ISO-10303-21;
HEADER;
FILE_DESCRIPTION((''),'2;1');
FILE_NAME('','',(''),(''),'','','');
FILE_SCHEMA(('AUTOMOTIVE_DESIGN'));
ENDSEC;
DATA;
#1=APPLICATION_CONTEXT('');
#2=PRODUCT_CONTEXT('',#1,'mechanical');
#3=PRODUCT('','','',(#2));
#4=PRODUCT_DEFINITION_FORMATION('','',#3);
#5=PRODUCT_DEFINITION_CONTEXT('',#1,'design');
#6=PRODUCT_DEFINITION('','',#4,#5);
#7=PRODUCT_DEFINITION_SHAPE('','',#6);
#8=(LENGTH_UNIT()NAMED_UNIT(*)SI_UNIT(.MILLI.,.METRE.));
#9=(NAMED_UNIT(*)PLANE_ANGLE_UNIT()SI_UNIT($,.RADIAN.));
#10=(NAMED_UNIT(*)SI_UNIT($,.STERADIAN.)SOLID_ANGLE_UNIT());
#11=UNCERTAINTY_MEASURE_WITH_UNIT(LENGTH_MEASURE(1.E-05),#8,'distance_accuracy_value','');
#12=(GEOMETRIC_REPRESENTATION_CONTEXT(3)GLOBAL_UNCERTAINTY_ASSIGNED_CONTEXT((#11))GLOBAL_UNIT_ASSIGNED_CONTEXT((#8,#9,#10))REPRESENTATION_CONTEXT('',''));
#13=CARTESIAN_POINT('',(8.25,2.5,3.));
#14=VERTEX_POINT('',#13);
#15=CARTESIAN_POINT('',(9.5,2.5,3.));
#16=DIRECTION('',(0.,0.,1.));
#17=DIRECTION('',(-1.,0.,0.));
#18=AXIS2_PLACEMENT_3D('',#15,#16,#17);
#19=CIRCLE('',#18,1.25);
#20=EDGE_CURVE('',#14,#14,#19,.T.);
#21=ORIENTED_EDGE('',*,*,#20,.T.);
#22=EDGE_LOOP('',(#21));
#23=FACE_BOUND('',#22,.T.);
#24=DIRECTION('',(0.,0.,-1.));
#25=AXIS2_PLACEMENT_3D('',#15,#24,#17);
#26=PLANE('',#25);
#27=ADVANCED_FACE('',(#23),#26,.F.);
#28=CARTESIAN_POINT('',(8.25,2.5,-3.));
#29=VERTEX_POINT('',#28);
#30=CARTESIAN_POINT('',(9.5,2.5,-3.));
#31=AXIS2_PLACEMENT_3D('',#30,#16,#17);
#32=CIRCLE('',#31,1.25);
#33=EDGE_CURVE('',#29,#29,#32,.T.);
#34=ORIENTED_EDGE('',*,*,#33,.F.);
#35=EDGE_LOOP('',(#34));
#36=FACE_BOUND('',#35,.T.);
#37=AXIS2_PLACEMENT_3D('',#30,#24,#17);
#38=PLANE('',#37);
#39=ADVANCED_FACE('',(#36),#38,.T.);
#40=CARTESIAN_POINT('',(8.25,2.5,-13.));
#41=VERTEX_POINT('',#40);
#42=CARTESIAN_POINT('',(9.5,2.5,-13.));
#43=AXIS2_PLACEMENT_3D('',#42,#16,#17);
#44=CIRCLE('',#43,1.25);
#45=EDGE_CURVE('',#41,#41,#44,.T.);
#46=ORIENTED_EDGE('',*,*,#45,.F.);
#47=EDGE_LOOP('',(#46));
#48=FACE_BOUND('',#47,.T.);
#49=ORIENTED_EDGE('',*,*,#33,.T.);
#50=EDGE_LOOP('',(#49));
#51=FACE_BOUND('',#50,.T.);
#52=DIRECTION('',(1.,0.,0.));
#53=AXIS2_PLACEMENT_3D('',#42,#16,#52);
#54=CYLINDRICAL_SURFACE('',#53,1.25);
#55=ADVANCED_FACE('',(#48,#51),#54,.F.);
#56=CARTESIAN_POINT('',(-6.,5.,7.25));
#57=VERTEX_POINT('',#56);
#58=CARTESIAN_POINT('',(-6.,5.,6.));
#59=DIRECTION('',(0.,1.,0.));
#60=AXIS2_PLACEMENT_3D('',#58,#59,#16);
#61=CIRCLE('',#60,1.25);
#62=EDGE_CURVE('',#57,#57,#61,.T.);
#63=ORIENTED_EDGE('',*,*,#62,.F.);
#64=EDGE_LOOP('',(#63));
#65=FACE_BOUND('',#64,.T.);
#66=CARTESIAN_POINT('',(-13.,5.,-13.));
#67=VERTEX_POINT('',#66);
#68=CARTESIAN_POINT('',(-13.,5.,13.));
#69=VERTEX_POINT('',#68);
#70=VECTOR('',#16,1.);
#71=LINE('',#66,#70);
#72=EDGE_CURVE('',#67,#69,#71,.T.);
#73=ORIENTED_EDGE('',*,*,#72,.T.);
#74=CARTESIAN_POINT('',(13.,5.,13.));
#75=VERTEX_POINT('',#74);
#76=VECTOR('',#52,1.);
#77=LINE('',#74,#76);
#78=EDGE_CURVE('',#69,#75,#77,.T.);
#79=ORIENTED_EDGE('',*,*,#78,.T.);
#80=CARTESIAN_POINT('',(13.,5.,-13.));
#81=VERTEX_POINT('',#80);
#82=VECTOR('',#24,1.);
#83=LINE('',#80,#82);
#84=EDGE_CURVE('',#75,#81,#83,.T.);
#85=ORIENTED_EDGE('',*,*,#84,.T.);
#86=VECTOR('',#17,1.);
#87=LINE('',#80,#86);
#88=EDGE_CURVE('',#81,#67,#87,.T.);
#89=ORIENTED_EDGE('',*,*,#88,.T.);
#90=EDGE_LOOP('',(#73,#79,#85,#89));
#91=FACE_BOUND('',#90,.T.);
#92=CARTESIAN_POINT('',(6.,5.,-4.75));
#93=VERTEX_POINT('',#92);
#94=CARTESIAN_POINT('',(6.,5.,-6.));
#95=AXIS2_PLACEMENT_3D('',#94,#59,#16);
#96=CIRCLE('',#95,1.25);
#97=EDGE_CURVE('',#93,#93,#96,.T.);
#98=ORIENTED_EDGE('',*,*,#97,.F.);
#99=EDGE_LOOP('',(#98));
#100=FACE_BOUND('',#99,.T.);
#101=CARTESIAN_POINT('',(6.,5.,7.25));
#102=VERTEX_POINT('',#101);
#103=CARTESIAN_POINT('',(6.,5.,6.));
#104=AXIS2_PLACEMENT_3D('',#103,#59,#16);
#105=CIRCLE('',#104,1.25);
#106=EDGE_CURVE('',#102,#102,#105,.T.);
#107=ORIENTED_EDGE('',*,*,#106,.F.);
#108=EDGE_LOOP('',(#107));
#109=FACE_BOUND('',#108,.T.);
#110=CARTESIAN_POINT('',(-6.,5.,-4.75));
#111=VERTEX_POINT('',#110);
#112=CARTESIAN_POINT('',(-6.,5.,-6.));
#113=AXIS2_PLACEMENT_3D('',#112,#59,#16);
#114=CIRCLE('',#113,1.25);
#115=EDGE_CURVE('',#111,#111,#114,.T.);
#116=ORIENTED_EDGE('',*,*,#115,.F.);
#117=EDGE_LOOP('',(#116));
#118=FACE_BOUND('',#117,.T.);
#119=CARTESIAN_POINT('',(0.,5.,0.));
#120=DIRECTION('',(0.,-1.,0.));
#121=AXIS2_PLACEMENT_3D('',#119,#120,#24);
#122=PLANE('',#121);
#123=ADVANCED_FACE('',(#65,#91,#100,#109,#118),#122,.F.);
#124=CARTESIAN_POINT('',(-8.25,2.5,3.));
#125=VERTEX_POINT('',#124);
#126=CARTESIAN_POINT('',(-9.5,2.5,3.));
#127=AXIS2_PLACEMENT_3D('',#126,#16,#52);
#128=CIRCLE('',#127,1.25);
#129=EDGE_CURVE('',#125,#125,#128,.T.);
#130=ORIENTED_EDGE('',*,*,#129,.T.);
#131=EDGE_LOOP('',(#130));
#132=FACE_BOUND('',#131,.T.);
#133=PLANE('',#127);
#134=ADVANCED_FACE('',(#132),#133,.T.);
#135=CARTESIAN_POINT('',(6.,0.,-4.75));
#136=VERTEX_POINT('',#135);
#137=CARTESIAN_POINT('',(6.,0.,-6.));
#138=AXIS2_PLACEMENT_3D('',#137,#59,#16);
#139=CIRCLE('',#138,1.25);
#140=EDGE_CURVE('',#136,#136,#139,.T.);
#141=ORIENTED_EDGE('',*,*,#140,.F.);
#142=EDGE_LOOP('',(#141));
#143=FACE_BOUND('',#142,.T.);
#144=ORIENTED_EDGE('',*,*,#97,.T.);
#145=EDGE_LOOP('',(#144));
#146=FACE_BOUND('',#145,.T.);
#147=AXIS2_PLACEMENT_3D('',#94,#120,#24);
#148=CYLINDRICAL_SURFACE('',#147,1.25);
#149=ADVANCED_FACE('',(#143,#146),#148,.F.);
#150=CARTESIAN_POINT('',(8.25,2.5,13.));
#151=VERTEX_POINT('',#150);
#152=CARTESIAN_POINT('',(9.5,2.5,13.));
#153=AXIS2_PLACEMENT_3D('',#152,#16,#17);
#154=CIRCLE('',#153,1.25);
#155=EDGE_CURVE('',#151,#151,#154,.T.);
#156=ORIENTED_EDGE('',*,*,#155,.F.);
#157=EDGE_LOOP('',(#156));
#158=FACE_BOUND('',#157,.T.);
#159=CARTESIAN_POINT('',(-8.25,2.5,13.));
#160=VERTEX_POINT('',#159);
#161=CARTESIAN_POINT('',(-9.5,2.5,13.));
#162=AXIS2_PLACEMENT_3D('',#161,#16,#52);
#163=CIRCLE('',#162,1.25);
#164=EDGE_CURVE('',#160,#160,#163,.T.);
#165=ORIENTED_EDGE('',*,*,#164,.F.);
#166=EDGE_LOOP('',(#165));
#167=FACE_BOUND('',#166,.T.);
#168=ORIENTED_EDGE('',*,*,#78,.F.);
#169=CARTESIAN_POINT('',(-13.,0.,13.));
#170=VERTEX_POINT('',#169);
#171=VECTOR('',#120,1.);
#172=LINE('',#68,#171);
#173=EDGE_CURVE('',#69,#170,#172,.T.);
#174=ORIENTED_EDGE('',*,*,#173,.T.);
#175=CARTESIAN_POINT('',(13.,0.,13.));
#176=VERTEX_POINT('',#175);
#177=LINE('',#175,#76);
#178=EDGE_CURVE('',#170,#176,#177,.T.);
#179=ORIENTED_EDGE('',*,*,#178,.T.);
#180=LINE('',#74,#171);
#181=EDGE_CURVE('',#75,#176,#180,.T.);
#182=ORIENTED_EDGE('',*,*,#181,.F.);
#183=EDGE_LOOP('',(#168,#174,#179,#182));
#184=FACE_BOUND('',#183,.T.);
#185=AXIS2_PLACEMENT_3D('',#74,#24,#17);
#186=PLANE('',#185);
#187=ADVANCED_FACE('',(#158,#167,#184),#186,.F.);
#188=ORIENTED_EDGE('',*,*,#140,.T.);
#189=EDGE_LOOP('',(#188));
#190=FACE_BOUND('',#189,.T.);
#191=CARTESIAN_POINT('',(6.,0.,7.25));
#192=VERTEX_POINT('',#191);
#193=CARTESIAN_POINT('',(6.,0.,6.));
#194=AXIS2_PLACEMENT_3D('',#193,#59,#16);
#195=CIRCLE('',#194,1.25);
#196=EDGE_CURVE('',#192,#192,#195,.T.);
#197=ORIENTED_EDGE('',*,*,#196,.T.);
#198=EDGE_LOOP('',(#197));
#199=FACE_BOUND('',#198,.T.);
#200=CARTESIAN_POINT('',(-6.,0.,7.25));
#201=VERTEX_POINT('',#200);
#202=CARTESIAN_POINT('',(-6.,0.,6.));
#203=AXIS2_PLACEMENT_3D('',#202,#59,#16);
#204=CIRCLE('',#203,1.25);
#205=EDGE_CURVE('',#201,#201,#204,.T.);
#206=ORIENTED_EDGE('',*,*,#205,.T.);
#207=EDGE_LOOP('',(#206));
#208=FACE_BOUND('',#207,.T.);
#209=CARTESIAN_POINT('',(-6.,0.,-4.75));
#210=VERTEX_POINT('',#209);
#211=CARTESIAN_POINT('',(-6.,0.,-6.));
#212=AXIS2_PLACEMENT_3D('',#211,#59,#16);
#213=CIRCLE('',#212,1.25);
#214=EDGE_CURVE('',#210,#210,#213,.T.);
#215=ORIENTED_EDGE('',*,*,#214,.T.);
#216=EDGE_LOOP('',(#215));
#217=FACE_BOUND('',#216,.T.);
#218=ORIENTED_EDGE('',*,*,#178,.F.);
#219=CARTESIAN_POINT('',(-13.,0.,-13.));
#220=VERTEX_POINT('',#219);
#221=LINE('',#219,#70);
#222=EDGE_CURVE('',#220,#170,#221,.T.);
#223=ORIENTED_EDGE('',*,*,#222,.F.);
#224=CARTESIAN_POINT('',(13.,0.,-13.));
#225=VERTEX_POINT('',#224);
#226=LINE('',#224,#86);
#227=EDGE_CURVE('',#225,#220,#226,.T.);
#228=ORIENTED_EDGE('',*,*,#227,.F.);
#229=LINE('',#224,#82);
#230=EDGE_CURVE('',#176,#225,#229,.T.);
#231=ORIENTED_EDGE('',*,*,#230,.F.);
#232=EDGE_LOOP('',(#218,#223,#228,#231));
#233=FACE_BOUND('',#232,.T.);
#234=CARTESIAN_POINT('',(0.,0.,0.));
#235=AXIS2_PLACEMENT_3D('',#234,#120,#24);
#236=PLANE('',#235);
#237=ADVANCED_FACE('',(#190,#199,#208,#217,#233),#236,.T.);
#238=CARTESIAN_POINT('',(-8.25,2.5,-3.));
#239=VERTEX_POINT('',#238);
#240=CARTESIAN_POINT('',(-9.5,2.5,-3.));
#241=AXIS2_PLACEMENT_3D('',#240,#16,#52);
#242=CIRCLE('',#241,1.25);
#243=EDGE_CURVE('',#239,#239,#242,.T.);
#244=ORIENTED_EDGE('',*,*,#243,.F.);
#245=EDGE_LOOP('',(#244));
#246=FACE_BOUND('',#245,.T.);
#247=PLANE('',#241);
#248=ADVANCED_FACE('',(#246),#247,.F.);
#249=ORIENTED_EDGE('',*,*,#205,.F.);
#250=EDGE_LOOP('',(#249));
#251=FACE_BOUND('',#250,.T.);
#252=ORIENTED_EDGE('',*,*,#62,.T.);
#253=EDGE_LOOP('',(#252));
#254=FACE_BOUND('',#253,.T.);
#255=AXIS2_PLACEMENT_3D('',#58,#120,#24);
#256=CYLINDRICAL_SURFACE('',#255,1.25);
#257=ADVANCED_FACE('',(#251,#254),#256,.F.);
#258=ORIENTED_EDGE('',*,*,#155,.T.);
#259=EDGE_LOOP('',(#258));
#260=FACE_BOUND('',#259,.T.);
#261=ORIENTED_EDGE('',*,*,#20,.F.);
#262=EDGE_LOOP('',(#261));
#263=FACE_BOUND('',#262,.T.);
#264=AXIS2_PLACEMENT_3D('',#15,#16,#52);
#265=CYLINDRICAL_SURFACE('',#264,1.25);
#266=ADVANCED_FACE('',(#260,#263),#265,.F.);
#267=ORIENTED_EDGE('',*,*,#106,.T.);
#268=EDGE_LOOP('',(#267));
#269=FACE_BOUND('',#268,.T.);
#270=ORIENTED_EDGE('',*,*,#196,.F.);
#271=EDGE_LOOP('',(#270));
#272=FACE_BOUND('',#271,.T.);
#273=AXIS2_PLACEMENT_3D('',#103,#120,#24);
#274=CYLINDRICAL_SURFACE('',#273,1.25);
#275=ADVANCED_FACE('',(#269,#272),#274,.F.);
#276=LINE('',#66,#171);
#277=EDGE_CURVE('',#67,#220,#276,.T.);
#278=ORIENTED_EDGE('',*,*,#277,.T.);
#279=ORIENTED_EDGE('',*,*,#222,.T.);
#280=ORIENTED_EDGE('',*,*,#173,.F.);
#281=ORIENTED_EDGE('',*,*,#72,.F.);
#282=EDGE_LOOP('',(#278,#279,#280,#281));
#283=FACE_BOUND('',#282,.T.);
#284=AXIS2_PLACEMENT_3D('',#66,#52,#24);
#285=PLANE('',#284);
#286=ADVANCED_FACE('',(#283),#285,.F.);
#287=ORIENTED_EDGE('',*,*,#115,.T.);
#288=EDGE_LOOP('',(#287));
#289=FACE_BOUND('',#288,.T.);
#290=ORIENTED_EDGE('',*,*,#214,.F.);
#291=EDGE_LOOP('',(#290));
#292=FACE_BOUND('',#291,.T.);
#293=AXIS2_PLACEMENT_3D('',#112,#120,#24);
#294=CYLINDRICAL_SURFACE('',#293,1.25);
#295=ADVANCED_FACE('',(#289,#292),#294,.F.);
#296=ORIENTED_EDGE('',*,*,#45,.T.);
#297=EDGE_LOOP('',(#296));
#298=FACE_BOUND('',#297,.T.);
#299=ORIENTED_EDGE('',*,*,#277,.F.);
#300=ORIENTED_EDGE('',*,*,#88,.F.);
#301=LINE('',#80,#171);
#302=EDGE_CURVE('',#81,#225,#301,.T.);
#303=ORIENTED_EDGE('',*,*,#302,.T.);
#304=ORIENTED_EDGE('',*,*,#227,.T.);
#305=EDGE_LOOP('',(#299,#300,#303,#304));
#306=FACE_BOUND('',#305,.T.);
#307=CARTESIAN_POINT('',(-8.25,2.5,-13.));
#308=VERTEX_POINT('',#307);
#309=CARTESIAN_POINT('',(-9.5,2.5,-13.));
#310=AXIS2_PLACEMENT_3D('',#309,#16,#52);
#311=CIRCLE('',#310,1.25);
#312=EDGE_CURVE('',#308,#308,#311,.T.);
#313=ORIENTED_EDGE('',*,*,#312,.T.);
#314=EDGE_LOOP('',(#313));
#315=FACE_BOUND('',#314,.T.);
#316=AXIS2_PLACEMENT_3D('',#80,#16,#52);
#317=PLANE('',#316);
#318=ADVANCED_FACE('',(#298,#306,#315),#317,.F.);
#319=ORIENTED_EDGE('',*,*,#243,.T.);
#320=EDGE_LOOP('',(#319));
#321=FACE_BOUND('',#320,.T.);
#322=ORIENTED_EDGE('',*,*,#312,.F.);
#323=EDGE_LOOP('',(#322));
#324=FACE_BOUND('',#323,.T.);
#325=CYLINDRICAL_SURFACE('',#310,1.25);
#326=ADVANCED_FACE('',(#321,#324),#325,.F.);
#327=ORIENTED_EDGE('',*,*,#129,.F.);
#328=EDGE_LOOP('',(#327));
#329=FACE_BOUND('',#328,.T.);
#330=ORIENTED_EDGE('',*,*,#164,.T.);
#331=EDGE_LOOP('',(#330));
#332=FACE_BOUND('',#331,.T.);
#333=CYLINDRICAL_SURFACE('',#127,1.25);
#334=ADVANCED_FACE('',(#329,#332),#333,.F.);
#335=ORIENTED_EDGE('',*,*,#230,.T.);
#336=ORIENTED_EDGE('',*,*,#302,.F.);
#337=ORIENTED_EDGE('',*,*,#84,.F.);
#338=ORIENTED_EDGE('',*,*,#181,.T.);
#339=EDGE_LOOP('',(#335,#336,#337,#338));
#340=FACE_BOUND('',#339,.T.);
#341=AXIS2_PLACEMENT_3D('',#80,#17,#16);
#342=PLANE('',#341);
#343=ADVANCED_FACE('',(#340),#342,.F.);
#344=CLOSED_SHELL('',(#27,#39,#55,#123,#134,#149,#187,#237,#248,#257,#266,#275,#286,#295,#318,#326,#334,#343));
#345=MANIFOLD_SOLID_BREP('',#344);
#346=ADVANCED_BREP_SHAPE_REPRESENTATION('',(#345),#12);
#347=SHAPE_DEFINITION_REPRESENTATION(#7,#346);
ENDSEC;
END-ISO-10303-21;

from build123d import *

# Parameters (mm, degrees)
SKETCH1_W           = 26
SKETCH1_H           = 26
SKETCH1_R           = 1.25
BOSS_EXTRUDE1_DEPTH = 5
SKETCH2_R           = 1.25
CUT_EXTRUDE1_DEPTH  = 10
LPATTERN1_COUNT     = 2
LPATTERN1_PITCH     = 16


with BuildPart() as part:
    # Sketch1 → Boss-Extrude1 (new body)
    with BuildSketch(Plane(origin=(0, 0, 0), x_dir=(1, 0, 0), z_dir=(0, 1, 0))):
        Rectangle(SKETCH1_W, SKETCH1_H)
        with Locations(Location((-6, -6, 0), (0, 0, 270))):
            Circle(SKETCH1_R, mode=Mode.SUBTRACT)
        with Locations(Location((6, -6, 0), (0, 0, 270))):
            Circle(SKETCH1_R, mode=Mode.SUBTRACT)
        with Locations(Location((6, 6, 0), (0, 0, 270))):
            Circle(SKETCH1_R, mode=Mode.SUBTRACT)
        with Locations(Location((-6, 6, 0), (0, 0, 270))):
            Circle(SKETCH1_R, mode=Mode.SUBTRACT)
    extrude(amount=BOSS_EXTRUDE1_DEPTH)

    # Sketch2 → Cut-Extrude1 (cut)
    with BuildSketch(Plane.XY.offset(13)):
        with Locations((-9.5, 2.5)):
            Circle(SKETCH2_R)
        with Locations(Location((9.5, 2.5, 0), (0, 0, 180))):
            Circle(SKETCH2_R)
    cut_extrude1 = extrude(amount=-CUT_EXTRUDE1_DEPTH, mode=Mode.SUBTRACT)

    # LPattern1: Cut-Extrude1 ×2
    with Locations(*[(0, 0, -i * LPATTERN1_PITCH) for i in range(1, LPATTERN1_COUNT)]):
        add(cut_extrude1, mode=Mode.SUBTRACT)


solid = part.part
